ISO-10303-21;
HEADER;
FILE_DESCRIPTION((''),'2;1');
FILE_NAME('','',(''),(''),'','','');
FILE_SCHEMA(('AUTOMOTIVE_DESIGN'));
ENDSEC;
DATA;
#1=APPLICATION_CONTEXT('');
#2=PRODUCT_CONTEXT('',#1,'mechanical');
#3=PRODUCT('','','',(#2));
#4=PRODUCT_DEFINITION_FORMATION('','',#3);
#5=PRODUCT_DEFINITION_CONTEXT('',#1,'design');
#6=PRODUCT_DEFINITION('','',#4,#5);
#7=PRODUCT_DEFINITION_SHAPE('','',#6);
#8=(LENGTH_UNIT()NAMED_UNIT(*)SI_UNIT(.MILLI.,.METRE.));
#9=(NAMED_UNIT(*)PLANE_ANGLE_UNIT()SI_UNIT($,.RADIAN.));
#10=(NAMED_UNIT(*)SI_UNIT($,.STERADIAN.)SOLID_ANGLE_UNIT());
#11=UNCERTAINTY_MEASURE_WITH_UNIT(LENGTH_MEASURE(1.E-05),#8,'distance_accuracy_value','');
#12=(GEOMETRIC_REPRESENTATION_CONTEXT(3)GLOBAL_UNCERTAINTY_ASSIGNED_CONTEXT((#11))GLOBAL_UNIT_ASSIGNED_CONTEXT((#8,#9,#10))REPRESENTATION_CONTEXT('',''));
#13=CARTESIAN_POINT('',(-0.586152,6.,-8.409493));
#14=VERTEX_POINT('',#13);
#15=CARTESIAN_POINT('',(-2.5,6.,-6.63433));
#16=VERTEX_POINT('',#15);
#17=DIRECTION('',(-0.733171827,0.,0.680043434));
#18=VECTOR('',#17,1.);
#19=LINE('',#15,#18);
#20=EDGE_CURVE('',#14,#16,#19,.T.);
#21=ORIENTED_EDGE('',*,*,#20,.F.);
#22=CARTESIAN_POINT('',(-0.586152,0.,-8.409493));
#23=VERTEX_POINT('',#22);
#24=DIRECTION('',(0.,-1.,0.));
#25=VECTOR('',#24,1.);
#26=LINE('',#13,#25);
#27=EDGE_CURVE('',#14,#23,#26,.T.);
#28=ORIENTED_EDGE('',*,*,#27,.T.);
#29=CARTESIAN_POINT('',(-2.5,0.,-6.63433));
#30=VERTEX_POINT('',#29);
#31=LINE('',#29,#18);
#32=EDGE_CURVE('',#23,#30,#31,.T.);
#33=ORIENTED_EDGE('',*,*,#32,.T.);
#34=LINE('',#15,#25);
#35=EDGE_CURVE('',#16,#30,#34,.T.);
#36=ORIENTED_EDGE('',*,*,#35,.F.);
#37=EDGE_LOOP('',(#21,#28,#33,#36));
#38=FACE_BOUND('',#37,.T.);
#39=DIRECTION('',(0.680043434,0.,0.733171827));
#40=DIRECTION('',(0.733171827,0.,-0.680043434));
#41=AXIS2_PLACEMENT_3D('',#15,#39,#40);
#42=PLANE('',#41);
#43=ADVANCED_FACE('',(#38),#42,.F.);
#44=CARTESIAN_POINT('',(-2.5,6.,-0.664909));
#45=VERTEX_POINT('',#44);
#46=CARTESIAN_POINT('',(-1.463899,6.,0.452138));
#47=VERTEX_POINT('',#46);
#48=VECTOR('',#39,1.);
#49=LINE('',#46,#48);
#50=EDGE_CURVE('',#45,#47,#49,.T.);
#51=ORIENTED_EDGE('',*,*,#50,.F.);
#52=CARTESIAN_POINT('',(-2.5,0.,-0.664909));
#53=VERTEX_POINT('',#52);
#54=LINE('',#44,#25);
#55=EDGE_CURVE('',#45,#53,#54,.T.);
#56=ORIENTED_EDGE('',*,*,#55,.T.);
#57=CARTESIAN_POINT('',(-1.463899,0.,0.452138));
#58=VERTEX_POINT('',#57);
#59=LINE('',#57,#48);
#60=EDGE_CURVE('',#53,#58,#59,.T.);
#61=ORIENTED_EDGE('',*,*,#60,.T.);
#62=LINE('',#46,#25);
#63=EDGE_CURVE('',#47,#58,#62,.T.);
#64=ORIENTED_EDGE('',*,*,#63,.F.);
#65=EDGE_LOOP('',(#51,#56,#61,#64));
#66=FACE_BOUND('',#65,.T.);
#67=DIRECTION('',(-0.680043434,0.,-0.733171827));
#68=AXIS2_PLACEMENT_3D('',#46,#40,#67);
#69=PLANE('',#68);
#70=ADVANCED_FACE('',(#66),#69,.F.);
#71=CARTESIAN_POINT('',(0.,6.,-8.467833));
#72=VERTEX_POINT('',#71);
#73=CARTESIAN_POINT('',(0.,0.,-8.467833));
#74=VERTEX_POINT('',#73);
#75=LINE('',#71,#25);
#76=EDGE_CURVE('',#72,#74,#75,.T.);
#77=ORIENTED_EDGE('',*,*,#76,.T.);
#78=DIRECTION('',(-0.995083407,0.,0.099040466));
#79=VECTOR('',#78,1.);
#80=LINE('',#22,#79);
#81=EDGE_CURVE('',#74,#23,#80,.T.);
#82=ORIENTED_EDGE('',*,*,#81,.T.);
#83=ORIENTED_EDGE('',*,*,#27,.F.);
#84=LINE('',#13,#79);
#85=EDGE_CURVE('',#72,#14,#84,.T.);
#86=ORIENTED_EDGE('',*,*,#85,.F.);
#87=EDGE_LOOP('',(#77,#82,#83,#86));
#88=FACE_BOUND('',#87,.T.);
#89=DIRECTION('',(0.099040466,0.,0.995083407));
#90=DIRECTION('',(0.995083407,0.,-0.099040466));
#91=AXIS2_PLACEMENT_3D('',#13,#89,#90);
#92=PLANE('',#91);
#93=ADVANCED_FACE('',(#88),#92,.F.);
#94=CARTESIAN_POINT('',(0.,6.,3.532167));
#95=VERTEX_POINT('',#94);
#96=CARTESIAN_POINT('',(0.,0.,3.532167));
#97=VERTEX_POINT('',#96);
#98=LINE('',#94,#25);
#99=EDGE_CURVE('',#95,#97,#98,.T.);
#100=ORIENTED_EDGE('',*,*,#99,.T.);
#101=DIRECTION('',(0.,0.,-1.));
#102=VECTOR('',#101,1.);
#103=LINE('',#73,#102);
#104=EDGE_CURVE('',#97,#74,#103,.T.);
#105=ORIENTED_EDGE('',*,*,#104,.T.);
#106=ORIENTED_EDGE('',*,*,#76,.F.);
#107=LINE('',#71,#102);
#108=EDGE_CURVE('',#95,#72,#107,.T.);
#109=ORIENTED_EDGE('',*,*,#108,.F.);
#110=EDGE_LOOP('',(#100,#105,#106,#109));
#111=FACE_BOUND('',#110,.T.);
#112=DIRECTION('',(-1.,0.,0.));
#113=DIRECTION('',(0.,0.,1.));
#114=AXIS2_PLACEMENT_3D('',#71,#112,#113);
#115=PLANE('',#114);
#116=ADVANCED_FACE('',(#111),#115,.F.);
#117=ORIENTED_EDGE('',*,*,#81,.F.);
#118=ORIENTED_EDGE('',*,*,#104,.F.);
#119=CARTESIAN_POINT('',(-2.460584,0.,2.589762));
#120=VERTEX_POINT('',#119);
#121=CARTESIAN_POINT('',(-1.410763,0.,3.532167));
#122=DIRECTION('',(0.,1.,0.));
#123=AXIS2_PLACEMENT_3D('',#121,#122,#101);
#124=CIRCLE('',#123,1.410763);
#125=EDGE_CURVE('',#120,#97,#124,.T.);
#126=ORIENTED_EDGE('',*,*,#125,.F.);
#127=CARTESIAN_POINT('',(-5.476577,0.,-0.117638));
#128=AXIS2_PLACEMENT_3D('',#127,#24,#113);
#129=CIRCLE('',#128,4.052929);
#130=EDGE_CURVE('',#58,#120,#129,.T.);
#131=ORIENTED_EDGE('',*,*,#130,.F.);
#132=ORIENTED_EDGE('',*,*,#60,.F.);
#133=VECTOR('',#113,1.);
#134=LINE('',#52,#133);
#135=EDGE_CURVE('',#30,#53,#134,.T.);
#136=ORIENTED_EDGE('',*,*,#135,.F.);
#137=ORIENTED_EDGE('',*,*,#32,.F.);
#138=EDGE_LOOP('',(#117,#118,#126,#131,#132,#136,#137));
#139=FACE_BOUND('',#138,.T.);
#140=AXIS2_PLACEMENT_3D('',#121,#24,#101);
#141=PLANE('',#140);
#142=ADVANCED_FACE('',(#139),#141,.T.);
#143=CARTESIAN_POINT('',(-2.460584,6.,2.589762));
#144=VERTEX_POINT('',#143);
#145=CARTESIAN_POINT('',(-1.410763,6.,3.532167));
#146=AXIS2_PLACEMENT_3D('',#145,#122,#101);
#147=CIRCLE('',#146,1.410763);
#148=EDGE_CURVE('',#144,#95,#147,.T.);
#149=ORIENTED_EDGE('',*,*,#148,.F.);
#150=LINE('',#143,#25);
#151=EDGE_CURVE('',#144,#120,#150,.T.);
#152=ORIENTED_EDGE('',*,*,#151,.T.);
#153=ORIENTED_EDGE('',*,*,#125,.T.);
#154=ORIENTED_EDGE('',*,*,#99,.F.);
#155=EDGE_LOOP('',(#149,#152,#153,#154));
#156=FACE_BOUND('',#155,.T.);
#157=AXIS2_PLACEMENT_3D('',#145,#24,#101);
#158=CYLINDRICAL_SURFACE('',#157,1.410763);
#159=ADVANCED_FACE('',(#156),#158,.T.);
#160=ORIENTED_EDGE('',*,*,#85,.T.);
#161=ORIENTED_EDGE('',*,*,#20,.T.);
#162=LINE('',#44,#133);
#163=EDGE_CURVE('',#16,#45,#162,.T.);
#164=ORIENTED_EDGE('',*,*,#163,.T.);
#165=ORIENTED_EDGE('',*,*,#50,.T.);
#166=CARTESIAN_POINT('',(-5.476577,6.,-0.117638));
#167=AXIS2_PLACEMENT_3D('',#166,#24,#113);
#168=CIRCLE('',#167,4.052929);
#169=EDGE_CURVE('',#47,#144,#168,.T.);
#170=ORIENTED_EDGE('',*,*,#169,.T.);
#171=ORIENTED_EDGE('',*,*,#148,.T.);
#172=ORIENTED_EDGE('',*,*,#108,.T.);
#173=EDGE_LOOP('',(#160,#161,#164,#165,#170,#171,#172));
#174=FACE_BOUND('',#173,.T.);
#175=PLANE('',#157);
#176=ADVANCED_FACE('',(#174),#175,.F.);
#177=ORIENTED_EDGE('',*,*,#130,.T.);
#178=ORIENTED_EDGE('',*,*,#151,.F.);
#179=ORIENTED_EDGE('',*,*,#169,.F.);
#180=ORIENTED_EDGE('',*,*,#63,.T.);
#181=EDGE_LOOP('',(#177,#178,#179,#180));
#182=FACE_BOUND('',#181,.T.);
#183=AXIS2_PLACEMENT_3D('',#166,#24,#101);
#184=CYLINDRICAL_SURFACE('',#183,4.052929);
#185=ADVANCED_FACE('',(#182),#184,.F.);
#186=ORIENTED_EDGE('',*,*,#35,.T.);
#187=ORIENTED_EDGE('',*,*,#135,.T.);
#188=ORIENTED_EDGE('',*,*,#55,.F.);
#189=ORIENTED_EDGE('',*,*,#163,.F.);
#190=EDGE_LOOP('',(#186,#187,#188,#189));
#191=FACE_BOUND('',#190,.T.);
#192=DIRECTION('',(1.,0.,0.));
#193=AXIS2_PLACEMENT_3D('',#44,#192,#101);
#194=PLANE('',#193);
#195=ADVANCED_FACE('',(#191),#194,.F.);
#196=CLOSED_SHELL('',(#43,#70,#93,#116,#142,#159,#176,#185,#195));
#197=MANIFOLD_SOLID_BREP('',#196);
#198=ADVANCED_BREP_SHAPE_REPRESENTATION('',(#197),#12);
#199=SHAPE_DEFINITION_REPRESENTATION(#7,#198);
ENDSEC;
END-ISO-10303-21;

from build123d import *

# Parameters (mm, degrees)
BOSS_EXTRUDE1_DEPTH = 6


with BuildPart() as part:
    # Sketch1 → Boss-Extrude1 (new body)
    with BuildSketch(Plane(origin=(0, 0, 0), x_dir=(1, 0, 0), z_dir=(0, 1, 0))):
        with BuildLine():
            Line((0, 8.467832856), (0, -3.532167144))
            ThreePointArc((0, -3.532167144), (-1.915343114, -4.849607871), (-2.460583977, -2.589762364))
            ThreePointArc((-2.460583977, -2.589762364), (-1.803306785, -1.595054715), (-1.463898856, -0.452137887))
            Line((-1.463898856, -0.452137887), (-2.5, 0.664908658))
            Line((-2.5, 0.664908658), (-2.5, 6.634329976))
            Line((-2.5, 6.634329976), (-0.586152098, 8.409493247))
            Line((-0.586152098, 8.409493247), (0, 8.467832856))
        make_face()
    extrude(amount=BOSS_EXTRUDE1_DEPTH)


solid = part.part
